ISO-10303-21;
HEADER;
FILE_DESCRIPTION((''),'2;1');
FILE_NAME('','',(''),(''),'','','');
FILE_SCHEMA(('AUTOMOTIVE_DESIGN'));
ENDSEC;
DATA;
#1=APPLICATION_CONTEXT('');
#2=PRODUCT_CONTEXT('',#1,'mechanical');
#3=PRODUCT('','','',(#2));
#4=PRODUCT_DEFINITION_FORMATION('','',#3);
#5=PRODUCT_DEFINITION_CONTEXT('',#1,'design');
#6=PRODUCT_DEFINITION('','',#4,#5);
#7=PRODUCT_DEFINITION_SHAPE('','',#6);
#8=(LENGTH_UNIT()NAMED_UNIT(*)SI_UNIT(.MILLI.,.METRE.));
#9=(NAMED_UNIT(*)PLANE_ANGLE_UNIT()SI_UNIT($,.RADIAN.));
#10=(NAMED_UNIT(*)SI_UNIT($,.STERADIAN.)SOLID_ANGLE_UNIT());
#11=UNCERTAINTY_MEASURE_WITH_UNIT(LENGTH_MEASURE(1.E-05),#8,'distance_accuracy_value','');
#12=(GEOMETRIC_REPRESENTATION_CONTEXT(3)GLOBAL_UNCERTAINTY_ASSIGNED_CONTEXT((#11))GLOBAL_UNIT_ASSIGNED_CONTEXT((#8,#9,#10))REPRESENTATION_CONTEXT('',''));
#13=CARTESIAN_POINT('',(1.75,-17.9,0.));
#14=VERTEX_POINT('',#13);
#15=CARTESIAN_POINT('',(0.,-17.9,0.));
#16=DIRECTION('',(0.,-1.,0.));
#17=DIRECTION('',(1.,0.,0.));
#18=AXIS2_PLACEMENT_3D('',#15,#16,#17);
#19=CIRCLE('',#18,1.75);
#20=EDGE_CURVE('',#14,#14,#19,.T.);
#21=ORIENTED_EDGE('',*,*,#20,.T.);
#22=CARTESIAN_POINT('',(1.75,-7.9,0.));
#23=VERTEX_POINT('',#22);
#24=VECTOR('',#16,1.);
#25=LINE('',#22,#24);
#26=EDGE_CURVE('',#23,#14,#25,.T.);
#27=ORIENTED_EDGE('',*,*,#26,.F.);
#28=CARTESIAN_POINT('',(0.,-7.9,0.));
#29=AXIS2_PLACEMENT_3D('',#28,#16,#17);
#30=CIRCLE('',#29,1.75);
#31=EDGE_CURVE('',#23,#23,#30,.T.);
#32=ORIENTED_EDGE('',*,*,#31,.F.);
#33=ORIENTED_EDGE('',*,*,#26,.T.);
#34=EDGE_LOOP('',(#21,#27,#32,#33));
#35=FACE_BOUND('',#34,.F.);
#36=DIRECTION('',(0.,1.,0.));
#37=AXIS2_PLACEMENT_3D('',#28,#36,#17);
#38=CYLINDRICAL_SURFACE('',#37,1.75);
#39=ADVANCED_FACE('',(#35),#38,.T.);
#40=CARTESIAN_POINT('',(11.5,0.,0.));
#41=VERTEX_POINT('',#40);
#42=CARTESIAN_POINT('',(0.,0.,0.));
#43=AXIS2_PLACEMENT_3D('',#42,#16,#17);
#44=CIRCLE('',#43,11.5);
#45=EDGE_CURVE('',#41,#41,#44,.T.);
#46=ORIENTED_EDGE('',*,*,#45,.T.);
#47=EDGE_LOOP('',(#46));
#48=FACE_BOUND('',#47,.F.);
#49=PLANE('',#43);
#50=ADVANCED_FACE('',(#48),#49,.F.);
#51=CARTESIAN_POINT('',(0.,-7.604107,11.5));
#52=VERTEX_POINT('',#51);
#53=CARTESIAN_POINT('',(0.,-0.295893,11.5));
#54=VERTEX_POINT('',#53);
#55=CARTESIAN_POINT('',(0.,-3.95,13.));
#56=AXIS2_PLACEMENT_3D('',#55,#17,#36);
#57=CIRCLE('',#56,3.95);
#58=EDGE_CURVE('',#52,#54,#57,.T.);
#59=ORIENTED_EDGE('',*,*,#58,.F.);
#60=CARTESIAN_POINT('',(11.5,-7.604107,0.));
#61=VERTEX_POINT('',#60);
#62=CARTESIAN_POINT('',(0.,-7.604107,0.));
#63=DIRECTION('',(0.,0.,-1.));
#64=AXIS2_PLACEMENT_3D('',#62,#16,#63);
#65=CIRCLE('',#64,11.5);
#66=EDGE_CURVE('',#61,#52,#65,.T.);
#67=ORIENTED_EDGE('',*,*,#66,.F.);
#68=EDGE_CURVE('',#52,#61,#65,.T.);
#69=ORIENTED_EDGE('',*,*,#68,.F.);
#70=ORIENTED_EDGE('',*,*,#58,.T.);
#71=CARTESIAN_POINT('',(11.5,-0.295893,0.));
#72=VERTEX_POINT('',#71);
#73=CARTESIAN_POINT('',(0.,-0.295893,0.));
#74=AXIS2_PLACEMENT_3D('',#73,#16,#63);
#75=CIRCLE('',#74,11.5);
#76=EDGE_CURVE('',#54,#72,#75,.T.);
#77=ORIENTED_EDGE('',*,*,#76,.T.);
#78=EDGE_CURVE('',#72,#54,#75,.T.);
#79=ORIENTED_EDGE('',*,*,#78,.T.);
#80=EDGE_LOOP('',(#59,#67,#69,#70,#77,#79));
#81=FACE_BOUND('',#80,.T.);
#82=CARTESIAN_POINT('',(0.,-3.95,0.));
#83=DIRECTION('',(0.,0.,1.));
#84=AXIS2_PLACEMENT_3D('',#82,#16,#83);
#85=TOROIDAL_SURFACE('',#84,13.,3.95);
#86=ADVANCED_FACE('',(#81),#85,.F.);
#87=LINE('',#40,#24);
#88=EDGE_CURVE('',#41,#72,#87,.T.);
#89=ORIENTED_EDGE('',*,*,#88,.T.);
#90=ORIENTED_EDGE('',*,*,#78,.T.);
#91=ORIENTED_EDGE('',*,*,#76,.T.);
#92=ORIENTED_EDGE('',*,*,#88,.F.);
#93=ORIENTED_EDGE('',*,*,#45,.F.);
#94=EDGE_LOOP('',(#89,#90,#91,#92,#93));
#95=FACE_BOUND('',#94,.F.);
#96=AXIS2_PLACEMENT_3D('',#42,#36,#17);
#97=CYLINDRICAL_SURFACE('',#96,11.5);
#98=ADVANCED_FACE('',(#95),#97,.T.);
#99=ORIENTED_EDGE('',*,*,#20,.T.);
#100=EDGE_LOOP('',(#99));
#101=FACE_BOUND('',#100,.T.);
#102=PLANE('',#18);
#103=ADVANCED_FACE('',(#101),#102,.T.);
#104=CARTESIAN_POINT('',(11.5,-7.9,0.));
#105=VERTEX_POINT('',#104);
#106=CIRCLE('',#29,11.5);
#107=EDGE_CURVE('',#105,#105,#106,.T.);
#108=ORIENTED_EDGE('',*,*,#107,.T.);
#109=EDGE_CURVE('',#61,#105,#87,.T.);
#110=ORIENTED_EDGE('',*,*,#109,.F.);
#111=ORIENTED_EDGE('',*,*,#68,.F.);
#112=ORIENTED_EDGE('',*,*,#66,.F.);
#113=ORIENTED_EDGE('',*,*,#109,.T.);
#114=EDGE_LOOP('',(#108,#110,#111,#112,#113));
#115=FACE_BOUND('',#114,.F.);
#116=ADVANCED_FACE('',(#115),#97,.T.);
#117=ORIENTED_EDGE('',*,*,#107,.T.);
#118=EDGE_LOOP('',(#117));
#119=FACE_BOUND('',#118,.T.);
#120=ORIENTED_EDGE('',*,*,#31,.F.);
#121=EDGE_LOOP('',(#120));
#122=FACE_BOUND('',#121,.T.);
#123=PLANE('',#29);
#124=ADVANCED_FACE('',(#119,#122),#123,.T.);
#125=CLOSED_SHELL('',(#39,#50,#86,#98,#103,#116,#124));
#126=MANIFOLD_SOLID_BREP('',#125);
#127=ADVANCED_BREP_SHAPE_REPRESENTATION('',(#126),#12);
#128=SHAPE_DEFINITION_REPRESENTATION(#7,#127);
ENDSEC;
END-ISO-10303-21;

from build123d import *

# Parameters (mm, degrees)
F0_R     = 11.5
F1_DEPTH = 7.9
F2_R     = 1.75
F3_DEPTH = 10
F4_R     = 3.95


with BuildPart() as f1:
    # F0 (on Front) → F1 (new body)
    with BuildSketch(Plane.XZ):
        Circle(F0_R)
    extrude(amount=F1_DEPTH)

    # F2 (on face) → F3 (join)
    with BuildSketch(Plane.XZ.offset(7.9)):
        Circle(F2_R)
    extrude(amount=F3_DEPTH)

    # F4 (on Right) → F5 (revolve, cut)
    with BuildSketch(Plane.YZ):
        with Locations((-3.95, 13)):
            Circle(F4_R)
    revolve(axis=Axis((0, -5.14938, 0), (0, 1, 0)), mode=Mode.SUBTRACT)


solid = f1.part
